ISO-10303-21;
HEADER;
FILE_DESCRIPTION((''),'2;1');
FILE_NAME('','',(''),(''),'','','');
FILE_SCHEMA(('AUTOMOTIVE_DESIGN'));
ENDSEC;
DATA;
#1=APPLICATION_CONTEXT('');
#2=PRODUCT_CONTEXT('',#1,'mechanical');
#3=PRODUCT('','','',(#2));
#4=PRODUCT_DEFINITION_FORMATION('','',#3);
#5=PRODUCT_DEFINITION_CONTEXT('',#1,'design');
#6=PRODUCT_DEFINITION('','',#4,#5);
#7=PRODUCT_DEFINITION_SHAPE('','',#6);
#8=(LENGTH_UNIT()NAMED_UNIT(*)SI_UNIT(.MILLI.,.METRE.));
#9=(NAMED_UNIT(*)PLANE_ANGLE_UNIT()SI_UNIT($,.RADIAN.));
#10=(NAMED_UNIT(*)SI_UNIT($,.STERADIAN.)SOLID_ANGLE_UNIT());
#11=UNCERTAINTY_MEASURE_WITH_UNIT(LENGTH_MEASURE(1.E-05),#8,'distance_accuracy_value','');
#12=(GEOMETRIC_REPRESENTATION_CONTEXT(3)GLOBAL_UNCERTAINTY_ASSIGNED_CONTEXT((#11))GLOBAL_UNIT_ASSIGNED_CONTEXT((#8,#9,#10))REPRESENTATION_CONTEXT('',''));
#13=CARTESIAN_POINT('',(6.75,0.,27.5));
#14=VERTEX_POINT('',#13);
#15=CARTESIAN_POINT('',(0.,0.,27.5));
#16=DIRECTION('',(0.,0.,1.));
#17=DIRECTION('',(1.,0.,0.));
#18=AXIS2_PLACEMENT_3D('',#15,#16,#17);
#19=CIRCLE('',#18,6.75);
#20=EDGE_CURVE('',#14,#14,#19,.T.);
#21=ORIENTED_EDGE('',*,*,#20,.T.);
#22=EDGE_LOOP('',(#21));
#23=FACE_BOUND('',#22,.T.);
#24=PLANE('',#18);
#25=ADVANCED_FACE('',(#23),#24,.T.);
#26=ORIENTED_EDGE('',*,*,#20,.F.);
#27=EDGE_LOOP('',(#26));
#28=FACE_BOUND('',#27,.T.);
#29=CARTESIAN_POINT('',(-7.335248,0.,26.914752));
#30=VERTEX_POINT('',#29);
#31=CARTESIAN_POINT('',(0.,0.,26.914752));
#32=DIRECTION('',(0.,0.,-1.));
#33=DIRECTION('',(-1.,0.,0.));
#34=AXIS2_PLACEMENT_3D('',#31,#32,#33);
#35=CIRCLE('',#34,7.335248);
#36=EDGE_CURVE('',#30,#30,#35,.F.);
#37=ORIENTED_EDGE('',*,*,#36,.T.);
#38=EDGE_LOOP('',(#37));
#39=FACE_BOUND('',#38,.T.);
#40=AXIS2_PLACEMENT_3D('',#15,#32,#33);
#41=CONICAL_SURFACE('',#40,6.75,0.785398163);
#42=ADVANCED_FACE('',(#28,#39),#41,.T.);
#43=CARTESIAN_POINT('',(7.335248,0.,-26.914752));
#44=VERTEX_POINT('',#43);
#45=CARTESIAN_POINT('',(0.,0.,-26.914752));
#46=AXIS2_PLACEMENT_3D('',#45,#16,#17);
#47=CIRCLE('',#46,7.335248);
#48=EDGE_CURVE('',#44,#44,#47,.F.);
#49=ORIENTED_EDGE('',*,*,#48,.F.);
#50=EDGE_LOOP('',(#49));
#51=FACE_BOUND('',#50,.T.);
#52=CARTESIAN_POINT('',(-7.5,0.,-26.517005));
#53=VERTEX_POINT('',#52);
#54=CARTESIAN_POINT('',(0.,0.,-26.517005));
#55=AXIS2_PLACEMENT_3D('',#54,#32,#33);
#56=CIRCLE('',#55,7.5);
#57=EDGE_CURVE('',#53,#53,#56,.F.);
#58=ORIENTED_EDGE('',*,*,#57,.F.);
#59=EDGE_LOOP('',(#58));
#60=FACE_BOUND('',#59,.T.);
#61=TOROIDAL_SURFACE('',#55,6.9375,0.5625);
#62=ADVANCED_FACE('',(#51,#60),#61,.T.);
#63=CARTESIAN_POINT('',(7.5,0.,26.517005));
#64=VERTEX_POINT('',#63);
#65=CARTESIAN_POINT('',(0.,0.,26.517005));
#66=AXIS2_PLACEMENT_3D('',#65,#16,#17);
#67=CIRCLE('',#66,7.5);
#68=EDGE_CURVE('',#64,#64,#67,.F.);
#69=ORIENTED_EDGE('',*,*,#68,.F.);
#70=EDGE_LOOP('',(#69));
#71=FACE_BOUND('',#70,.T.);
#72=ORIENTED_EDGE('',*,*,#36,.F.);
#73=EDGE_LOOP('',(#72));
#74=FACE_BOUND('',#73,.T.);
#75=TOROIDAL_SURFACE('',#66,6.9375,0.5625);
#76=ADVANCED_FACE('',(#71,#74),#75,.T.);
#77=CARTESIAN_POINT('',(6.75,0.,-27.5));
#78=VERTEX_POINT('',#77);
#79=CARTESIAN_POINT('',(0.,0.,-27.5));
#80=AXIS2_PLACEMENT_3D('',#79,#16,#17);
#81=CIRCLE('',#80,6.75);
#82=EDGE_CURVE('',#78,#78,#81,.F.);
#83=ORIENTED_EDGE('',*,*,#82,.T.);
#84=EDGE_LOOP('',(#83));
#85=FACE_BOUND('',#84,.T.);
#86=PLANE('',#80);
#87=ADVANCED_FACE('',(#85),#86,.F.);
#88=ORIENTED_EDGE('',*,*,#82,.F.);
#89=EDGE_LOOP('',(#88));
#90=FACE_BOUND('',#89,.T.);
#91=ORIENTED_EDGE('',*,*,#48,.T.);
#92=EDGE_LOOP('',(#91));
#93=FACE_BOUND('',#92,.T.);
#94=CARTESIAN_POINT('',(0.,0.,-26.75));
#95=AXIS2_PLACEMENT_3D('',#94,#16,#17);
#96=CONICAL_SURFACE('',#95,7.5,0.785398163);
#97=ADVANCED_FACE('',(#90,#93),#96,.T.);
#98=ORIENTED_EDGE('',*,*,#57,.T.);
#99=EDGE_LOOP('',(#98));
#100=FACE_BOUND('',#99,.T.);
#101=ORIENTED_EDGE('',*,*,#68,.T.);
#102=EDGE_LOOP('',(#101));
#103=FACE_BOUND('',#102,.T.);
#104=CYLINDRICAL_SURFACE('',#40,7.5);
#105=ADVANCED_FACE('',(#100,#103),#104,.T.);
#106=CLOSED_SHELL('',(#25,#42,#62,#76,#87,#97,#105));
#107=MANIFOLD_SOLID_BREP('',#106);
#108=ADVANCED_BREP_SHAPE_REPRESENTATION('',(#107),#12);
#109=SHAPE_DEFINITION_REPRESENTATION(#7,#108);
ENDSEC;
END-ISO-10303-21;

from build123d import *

# Parameters (mm, degrees)
SKETCH3_R           = 7.5
BOSS_EXTRUDE1_DEPTH = 27.5
CHAMFER1_SIZE       = 0.75
FILLET2_R           = 0.5625


with BuildPart() as part:
    # Sketch3 → Boss-Extrude1 (new, symmetric)
    with BuildSketch(Plane.XY):
        Circle(SKETCH3_R)
    extrude(amount=BOSS_EXTRUDE1_DEPTH, both=True)

    # Chamfer1
    chamfer1_edges = [part.edges().sort_by_distance(p)[0] for p in [
        (-7.5, 0, -27.5),
        (-7.5, 0, 27.5),
    ]]
    chamfer(chamfer1_edges, length=CHAMFER1_SIZE)

    # Fillet2
    fillet2_edges = [part.edges().sort_by_distance(p)[0] for p in [
        (-7.5, 0, -26.75),
        (-7.5, 0, 26.75),
    ]]
    fillet(fillet2_edges, radius=FILLET2_R)


solid = part.part
